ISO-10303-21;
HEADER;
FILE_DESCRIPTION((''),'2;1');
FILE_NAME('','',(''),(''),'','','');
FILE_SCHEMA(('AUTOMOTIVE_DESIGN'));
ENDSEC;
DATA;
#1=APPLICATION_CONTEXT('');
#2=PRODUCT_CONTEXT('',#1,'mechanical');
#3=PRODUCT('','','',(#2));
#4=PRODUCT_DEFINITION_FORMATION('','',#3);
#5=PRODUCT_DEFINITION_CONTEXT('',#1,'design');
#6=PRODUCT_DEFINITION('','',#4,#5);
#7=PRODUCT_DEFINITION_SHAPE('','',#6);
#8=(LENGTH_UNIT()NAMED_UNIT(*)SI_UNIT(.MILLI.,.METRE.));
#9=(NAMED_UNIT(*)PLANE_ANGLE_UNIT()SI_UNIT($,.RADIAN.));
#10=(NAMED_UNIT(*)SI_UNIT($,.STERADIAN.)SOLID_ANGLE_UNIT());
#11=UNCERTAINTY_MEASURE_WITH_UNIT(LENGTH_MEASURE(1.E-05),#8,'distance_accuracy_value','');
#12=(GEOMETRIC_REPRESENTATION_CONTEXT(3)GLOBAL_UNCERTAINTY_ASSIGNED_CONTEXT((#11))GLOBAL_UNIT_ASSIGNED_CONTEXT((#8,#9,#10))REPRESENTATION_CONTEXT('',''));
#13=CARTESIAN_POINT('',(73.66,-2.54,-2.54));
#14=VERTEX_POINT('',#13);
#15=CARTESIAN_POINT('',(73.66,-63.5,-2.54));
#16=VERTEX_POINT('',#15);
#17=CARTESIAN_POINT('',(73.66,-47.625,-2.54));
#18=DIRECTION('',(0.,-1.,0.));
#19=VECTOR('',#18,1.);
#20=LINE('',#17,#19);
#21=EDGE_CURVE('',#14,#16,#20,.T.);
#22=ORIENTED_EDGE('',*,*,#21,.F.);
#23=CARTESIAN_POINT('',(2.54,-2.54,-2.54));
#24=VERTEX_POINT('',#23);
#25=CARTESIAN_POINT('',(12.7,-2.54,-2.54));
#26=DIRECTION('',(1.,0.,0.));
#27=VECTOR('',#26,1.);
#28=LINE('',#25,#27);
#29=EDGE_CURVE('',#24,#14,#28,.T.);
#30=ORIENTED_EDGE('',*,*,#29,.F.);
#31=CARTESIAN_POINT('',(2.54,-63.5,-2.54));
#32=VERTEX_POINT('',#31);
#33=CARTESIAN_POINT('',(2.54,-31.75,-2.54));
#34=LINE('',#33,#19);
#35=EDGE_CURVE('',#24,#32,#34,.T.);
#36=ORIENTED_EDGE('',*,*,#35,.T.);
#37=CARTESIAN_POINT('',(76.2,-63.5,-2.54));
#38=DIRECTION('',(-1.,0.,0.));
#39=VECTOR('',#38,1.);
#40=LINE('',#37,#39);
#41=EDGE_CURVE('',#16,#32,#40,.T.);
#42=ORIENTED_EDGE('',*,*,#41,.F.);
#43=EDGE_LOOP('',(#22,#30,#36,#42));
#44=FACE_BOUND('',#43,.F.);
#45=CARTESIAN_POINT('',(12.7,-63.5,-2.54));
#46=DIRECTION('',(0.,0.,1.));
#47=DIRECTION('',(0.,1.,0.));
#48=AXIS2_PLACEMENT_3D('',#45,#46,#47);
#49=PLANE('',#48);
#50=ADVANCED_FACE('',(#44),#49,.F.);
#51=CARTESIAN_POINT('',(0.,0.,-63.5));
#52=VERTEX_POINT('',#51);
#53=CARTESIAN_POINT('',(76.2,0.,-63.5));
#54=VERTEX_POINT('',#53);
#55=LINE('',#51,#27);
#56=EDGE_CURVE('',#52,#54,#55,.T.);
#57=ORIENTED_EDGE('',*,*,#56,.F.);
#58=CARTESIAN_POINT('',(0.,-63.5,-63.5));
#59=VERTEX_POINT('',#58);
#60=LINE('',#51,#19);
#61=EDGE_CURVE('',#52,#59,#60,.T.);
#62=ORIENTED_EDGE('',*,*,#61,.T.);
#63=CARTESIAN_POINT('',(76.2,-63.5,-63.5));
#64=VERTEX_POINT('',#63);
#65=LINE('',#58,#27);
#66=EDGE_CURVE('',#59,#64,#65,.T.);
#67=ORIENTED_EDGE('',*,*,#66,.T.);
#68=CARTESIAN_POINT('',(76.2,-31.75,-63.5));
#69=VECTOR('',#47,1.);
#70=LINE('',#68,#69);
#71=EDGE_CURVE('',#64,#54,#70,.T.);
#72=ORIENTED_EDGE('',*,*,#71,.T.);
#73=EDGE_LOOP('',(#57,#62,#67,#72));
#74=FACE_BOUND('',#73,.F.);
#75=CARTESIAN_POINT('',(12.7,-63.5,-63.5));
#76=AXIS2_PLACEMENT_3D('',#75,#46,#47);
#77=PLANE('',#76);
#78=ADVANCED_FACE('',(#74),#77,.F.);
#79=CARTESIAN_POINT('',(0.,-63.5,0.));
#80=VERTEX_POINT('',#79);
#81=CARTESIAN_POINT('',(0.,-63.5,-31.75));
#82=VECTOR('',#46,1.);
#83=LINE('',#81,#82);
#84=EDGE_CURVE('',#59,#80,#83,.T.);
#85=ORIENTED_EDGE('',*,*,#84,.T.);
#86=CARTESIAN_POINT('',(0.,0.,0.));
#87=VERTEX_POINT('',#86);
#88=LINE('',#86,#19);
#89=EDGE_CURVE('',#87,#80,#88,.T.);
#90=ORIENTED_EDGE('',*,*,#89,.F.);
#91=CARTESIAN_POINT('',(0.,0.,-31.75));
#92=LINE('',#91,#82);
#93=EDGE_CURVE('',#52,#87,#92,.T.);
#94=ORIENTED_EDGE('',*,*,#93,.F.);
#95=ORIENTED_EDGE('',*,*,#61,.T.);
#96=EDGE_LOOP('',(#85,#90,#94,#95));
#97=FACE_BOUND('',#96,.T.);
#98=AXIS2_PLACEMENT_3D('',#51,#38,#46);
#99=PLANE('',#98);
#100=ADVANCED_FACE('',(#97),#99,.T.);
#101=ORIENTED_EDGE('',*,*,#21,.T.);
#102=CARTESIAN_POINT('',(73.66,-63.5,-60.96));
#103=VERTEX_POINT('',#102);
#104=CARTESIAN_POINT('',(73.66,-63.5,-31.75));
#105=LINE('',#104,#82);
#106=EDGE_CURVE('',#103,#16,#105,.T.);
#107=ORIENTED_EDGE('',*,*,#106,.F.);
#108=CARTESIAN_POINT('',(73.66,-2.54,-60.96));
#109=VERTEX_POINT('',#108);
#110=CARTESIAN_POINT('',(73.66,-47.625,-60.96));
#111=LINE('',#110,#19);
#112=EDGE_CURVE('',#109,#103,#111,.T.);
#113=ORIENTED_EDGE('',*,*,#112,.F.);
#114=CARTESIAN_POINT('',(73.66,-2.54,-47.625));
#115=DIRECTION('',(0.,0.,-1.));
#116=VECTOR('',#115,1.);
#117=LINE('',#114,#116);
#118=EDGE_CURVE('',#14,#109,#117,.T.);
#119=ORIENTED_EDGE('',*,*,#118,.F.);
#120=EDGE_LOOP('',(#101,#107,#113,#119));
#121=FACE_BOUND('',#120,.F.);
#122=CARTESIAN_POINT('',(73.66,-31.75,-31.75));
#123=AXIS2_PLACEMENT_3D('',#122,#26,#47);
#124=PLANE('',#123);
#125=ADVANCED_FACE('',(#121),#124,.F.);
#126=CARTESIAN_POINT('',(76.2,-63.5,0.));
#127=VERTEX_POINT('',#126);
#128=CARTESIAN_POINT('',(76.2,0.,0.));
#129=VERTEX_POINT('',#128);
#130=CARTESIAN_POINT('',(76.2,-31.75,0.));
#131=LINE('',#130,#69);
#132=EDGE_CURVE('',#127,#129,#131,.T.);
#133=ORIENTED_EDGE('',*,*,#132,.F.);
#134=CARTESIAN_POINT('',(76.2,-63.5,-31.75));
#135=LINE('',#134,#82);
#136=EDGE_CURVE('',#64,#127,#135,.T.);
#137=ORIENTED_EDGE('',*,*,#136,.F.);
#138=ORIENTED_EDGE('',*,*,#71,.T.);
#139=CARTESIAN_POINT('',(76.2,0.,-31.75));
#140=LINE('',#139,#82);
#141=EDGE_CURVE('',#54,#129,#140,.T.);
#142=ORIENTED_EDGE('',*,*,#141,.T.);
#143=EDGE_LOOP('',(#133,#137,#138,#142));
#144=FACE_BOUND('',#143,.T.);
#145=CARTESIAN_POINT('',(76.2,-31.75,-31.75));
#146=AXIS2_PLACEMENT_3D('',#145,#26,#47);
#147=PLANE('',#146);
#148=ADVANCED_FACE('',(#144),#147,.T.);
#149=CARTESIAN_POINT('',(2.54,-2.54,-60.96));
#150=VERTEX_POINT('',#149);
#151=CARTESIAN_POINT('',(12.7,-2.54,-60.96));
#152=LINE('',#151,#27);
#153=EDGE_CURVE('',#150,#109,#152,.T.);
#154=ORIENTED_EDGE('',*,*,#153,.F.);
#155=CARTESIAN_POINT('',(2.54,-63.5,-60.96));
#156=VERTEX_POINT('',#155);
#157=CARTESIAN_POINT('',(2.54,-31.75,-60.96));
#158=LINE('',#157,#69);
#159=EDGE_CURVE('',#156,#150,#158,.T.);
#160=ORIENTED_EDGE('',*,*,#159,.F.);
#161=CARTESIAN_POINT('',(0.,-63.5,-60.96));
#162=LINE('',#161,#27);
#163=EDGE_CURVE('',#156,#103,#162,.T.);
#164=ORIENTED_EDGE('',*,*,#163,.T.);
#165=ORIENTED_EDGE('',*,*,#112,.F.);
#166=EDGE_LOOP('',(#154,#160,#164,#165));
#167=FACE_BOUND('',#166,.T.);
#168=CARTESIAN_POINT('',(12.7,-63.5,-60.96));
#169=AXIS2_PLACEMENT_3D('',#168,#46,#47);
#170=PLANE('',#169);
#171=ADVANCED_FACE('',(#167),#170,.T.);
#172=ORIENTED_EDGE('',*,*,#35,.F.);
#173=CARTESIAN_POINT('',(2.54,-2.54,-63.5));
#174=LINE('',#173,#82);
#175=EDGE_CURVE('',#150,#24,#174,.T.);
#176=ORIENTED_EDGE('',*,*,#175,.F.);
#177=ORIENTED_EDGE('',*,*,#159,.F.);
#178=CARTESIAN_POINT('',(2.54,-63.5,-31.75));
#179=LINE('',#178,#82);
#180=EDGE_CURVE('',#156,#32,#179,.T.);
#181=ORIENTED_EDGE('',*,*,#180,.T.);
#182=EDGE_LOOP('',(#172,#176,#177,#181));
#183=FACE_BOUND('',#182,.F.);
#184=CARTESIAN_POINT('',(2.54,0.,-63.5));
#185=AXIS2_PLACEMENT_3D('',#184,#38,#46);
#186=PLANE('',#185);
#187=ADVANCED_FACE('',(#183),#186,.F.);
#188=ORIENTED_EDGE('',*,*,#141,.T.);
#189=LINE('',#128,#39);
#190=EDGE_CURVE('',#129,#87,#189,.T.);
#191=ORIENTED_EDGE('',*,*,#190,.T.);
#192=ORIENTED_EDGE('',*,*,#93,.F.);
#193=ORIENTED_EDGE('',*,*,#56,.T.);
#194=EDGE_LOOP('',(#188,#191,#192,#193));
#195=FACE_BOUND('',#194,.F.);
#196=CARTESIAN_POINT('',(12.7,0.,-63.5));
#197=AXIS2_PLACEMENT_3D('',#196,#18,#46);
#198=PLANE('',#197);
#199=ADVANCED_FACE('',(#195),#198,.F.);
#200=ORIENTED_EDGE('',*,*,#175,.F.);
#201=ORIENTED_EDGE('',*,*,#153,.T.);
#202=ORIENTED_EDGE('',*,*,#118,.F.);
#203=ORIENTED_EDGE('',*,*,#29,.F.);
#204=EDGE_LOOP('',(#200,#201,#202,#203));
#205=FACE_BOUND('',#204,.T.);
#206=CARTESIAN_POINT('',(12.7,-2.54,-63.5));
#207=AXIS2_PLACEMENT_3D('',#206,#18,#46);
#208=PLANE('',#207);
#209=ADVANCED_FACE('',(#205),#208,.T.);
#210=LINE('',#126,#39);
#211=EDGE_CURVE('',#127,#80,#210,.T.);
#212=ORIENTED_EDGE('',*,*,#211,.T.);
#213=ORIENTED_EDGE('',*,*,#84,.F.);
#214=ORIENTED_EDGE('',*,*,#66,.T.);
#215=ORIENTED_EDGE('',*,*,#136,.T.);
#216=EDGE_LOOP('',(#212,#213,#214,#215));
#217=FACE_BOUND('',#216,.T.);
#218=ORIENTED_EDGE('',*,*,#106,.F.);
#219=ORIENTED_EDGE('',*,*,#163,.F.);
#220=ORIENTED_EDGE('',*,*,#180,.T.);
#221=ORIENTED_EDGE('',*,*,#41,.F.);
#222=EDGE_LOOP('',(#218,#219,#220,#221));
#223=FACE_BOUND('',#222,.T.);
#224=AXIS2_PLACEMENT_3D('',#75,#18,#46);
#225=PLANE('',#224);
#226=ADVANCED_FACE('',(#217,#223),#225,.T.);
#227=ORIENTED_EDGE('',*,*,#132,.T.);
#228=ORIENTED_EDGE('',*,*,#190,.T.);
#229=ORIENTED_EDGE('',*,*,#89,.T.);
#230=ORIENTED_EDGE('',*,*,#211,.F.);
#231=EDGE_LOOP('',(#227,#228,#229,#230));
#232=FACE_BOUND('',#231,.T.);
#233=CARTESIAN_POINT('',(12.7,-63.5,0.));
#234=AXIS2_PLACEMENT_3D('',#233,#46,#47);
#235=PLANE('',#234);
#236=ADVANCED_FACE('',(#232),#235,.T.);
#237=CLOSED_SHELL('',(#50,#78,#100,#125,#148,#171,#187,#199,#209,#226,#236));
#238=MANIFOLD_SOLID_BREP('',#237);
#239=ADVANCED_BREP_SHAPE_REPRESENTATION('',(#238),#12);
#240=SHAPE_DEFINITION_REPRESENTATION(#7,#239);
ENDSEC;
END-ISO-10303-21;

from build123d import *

# Parameters (mm, degrees)
F0_W     = 12.7
F0_H     = 63.5
F1_DEPTH = 63.5
F2_W     = 63.5
F2_H     = 63.5
F3_DEPTH = 63.5
F4_T     = -2.54


with BuildPart() as f1:
    # F0 (on Front) → F1 (new body)
    with BuildSketch(Plane.XZ):
        with Locations((6.35, -31.75)):
            Rectangle(F0_W, F0_H)
    extrude(amount=F1_DEPTH)

    # F2 (on face) → F3 (join)
    with BuildSketch(Plane.YZ.offset(12.7)):
        with Locations((-31.75, -31.75)):
            Rectangle(F2_W, F2_H)
    extrude(amount=F3_DEPTH)

    # F4
    f4_openings = [f1.faces().sort_by_distance(p)[0] for p in [
        (38.1, -63.5, -31.75),
    ]]
    offset(amount=F4_T, openings=f4_openings)


solid = f1.part
